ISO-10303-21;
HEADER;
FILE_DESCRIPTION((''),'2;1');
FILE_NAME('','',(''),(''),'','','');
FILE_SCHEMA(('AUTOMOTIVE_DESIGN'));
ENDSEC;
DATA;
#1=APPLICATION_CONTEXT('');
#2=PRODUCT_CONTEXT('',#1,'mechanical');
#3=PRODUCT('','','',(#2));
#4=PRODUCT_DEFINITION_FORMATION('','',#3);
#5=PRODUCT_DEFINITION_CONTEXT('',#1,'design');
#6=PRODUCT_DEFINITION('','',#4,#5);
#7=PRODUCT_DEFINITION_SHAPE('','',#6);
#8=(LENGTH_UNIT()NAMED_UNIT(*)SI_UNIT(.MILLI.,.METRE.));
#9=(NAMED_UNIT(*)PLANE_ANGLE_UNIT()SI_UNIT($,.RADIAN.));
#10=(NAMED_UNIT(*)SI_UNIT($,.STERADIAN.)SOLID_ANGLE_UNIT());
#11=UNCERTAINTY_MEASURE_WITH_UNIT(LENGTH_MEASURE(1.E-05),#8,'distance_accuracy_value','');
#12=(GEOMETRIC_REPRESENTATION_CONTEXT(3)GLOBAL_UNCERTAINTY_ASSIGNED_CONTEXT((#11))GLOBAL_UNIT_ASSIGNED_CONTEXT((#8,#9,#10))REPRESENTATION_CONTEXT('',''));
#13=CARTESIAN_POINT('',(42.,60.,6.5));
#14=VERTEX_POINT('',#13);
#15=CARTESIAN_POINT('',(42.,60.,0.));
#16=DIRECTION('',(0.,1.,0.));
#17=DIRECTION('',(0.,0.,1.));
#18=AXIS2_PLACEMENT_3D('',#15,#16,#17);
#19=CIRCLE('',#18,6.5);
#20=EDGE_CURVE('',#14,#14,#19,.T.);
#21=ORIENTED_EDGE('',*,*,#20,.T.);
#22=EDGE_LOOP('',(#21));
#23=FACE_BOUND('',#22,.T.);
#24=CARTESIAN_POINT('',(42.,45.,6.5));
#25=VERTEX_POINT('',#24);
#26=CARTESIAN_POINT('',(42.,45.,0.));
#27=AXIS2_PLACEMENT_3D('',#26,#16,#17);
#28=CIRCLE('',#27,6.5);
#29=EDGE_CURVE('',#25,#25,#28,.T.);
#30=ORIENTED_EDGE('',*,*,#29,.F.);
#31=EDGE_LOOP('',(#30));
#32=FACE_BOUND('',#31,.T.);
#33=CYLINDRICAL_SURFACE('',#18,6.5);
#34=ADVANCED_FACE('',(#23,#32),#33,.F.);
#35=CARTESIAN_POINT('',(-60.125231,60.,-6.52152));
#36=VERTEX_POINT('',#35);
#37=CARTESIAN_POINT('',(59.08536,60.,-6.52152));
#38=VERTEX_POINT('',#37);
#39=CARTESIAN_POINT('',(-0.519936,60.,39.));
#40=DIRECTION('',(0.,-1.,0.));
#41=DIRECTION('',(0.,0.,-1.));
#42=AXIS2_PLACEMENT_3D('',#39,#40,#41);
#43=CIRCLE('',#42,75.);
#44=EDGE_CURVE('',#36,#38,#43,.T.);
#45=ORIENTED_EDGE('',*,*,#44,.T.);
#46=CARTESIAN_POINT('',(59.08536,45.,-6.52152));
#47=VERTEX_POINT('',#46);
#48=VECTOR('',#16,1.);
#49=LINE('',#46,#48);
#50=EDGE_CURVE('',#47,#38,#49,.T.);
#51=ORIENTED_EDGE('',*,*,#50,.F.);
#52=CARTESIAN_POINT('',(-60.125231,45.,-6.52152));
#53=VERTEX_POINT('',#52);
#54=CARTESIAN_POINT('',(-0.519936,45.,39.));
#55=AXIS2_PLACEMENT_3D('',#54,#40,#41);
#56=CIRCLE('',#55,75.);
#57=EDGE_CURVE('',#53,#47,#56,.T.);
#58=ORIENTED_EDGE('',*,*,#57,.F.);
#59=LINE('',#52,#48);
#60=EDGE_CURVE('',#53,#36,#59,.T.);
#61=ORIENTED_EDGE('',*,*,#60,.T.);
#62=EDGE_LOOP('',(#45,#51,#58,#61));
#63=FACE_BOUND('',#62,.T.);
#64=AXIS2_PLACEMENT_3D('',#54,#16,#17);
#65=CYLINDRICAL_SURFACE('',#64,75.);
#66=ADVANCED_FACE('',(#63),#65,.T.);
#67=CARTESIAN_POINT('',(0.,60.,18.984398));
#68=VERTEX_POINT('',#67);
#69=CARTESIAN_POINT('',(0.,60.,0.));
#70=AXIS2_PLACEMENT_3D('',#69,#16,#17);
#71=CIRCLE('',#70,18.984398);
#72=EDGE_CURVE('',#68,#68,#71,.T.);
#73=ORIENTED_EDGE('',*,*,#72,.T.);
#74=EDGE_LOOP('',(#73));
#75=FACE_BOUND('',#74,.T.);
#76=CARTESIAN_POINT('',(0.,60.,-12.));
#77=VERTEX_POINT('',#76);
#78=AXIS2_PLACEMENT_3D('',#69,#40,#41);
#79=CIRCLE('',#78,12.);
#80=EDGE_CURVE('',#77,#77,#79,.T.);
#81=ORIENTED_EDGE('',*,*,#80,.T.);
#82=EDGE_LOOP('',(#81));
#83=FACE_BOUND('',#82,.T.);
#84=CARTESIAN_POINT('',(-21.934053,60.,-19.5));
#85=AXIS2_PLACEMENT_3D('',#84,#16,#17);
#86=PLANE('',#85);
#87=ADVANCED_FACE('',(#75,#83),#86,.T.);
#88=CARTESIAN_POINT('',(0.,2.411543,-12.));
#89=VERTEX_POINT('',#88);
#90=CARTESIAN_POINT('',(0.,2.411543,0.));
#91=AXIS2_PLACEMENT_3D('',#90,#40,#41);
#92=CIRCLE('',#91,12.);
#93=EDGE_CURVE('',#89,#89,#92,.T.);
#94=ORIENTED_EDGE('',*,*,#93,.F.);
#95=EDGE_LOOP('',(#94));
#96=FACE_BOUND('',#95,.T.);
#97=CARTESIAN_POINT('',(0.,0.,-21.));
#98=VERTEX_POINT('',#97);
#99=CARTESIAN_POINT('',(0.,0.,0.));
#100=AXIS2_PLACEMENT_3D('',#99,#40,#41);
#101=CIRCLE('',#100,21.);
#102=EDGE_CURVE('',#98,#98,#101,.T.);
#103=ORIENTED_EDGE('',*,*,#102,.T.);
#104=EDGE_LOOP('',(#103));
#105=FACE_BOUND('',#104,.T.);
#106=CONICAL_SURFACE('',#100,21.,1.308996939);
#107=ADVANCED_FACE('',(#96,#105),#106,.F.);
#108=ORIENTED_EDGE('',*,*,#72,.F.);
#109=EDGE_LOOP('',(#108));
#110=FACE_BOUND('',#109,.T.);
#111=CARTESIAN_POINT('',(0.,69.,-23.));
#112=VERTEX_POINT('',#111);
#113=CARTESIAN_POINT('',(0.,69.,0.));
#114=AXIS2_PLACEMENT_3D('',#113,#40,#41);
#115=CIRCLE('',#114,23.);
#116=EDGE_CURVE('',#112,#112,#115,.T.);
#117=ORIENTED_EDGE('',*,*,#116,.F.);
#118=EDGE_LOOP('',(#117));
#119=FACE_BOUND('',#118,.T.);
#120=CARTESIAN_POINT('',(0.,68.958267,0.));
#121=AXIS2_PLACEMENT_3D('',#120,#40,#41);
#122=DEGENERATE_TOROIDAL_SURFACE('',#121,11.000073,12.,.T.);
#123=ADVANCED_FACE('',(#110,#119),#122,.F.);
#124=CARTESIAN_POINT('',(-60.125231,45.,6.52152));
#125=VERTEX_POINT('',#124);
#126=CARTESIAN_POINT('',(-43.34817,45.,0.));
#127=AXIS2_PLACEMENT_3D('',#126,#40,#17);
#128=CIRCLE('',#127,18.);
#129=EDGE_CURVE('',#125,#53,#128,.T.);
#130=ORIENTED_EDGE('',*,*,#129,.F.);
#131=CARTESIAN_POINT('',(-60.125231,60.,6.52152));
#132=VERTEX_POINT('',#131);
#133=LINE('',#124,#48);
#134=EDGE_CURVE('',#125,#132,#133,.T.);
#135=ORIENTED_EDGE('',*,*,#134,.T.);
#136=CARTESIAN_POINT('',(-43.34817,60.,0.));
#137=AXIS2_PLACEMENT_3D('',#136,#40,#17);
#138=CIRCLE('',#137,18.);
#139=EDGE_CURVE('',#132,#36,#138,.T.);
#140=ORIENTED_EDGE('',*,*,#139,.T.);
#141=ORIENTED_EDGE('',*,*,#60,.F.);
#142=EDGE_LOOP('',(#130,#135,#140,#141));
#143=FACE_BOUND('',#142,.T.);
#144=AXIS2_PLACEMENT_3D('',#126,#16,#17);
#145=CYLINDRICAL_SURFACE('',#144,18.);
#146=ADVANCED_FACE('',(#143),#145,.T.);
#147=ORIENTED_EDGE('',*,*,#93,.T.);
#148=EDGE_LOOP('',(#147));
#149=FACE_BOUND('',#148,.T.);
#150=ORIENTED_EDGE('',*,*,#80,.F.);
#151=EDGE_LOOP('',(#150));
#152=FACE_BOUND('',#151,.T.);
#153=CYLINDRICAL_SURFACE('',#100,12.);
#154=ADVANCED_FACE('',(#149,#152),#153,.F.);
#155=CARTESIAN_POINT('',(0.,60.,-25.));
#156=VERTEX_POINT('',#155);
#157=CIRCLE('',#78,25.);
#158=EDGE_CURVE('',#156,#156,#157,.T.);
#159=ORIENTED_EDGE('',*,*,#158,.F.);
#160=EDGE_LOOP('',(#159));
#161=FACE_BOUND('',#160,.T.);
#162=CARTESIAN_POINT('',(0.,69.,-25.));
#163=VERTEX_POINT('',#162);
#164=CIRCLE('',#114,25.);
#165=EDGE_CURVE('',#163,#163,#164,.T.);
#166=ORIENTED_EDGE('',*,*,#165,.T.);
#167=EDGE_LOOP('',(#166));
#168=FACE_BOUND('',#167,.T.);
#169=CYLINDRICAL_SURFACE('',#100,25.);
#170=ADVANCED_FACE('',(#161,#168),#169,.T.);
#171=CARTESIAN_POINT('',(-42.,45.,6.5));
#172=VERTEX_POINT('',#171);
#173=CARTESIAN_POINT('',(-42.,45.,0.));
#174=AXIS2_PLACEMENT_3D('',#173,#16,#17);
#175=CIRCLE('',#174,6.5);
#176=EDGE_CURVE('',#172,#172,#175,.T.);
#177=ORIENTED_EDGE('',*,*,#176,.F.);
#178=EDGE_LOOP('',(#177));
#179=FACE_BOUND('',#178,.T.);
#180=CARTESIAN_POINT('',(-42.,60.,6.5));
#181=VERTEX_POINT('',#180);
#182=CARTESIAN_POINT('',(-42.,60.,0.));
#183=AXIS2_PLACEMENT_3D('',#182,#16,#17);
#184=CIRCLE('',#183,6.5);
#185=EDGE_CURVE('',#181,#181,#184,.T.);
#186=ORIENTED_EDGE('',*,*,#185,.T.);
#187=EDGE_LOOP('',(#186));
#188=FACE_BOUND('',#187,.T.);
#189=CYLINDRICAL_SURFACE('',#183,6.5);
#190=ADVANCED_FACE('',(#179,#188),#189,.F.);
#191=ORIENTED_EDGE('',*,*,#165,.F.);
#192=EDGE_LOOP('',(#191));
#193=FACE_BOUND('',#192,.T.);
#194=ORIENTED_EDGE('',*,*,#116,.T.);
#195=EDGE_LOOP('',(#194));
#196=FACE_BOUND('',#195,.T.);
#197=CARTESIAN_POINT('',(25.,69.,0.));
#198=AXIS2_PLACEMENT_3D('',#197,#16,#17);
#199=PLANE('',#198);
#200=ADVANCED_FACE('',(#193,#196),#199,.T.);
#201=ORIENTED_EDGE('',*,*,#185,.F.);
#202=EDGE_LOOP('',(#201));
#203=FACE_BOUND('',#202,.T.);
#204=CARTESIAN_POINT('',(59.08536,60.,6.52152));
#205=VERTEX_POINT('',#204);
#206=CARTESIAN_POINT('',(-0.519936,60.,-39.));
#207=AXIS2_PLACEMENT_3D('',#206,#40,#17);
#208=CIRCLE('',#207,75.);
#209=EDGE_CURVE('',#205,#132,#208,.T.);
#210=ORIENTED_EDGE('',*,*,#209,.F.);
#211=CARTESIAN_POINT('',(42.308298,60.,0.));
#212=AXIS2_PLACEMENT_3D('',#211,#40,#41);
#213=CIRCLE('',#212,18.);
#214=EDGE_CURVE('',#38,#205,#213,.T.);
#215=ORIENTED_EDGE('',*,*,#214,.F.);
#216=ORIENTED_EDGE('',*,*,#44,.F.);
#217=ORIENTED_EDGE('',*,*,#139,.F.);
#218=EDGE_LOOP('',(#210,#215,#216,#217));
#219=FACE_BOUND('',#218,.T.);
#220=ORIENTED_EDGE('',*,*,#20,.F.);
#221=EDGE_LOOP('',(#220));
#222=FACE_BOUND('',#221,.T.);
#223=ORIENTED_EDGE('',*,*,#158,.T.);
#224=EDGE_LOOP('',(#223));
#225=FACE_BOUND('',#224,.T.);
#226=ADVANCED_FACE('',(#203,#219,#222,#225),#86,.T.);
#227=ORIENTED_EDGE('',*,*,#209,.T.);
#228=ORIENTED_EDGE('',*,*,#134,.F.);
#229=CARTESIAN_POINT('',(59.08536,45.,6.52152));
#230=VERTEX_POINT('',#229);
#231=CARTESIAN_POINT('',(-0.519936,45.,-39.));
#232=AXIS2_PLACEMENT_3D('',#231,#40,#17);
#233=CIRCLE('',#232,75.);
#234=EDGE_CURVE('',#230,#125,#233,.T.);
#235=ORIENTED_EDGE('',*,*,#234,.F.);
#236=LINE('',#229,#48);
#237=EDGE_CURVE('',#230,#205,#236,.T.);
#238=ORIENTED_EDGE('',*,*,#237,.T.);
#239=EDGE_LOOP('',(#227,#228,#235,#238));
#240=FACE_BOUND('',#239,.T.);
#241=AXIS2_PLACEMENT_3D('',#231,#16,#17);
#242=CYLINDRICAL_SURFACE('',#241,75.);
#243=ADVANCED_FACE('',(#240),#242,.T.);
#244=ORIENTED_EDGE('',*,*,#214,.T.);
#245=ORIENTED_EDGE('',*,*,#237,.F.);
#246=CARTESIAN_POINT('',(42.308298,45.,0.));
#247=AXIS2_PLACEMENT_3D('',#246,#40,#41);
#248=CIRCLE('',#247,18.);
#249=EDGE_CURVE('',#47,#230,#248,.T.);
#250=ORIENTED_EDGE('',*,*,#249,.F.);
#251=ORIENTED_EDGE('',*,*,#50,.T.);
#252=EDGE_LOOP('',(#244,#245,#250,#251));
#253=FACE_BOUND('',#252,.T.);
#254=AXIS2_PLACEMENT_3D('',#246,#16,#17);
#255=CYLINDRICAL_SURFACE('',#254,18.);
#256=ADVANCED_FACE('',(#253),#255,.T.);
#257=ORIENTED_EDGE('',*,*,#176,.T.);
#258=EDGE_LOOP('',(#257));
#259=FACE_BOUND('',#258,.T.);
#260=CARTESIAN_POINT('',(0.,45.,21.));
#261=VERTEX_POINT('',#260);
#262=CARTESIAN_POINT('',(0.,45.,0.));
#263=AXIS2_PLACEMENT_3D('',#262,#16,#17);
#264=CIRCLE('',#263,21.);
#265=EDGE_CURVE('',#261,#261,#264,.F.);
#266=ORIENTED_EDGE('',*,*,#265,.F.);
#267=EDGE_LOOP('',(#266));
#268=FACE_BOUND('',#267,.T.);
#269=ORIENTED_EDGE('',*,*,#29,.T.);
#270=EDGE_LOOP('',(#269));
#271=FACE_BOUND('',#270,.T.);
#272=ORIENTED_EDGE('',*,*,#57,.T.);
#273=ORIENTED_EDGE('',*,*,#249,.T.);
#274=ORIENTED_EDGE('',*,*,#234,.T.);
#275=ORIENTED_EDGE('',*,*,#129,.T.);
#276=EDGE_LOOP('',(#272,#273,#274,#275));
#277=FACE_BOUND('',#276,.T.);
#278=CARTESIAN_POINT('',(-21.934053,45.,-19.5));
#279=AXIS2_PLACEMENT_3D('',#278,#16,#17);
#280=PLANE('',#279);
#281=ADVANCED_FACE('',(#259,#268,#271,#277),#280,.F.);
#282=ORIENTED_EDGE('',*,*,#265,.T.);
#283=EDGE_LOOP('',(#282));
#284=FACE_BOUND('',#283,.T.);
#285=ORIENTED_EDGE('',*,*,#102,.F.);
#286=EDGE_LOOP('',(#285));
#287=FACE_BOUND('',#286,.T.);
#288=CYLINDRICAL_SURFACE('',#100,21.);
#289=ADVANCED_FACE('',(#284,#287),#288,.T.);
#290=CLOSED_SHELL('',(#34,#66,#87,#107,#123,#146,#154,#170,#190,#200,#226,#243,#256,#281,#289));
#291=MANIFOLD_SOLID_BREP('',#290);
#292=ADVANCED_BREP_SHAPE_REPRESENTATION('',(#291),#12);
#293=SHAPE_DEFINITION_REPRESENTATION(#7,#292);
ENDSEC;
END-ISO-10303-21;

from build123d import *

# Parameters (mm, degrees)
BOSS_EXTRUDE3_START        = 15
SKETCH2_R                  = 12
BOSS_EXTRUDE3_DEPTH        = 15
F_13_0_13_DIAMETER_HOLE1_D = 13


with BuildPart() as part:
    # Sketch1 → Revolve1 (revolve)
    with BuildSketch(Plane.XY, mode=Mode.PRIVATE) as revolve1_sk:
        with BuildLine():
            Line((12, 0), (21, 0))
            Line((21, 0), (21, 60))
            Line((21, 60), (25, 60))
            Line((25, 60), (25, 69))
            Line((25, 69), (23, 69))
            ThreePointArc((23, 69), (19.845922252, 60.849571269), (12, 57))
            Line((12, 57), (12, 0))
        make_face()
    revolve(revolve1_sk.sketch.rotate(Axis((0, 0, 0), (0, 1, 0)), 90), axis=Axis((0, 0, 0), (0, 1, 0)))

    # Sketch2 → Boss-Extrude3 (add)
    with BuildSketch(Plane.XZ.offset(-60).offset(BOSS_EXTRUDE3_START)):
        with BuildLine():
            ThreePointArc((-60.125231169, 6.521519783), (-0.519935794, 36), (59.08535958, 6.521519783))
            ThreePointArc((59.08535958, 6.521519783), (60.308298463, 0), (59.08535958, -6.521519783))
            ThreePointArc((59.08535958, -6.521519783), (-0.519935794, -36), (-60.125231169, -6.521519783))
            ThreePointArc((-60.125231169, -6.521519783), (-61.348170052, 0), (-60.125231169, 6.521519783))
        make_face()
        with Locations(Location((0, 0, 0), (0, 0, 270))):
            Circle(SKETCH2_R, mode=Mode.SUBTRACT)
    extrude(amount=-BOSS_EXTRUDE3_DEPTH)

    # Ø13.0 (13) Diameter Hole1 (through all)
    with Locations(Plane(origin=(0, 60, 0), x_dir=(1, 0, 0), z_dir=(0, 1, 0))):
        with Locations((-42, 0), (42, 0)):
            Hole(F_13_0_13_DIAMETER_HOLE1_D / 2)

    # Sketch6 → Cut-Revolve5 (revolve, cut)
    with BuildSketch(Plane.XY, mode=Mode.PRIVATE) as cut_revolve5_sk:
        Polygon((21, 0), (12, 0), (12, 2.411542732), align=None)
    revolve(cut_revolve5_sk.sketch.rotate(Axis((0, 0, 0), (0, 1, 0)), 90), axis=Axis((0, 0, 0), (0, 1, 0)), mode=Mode.SUBTRACT)


solid = part.part
